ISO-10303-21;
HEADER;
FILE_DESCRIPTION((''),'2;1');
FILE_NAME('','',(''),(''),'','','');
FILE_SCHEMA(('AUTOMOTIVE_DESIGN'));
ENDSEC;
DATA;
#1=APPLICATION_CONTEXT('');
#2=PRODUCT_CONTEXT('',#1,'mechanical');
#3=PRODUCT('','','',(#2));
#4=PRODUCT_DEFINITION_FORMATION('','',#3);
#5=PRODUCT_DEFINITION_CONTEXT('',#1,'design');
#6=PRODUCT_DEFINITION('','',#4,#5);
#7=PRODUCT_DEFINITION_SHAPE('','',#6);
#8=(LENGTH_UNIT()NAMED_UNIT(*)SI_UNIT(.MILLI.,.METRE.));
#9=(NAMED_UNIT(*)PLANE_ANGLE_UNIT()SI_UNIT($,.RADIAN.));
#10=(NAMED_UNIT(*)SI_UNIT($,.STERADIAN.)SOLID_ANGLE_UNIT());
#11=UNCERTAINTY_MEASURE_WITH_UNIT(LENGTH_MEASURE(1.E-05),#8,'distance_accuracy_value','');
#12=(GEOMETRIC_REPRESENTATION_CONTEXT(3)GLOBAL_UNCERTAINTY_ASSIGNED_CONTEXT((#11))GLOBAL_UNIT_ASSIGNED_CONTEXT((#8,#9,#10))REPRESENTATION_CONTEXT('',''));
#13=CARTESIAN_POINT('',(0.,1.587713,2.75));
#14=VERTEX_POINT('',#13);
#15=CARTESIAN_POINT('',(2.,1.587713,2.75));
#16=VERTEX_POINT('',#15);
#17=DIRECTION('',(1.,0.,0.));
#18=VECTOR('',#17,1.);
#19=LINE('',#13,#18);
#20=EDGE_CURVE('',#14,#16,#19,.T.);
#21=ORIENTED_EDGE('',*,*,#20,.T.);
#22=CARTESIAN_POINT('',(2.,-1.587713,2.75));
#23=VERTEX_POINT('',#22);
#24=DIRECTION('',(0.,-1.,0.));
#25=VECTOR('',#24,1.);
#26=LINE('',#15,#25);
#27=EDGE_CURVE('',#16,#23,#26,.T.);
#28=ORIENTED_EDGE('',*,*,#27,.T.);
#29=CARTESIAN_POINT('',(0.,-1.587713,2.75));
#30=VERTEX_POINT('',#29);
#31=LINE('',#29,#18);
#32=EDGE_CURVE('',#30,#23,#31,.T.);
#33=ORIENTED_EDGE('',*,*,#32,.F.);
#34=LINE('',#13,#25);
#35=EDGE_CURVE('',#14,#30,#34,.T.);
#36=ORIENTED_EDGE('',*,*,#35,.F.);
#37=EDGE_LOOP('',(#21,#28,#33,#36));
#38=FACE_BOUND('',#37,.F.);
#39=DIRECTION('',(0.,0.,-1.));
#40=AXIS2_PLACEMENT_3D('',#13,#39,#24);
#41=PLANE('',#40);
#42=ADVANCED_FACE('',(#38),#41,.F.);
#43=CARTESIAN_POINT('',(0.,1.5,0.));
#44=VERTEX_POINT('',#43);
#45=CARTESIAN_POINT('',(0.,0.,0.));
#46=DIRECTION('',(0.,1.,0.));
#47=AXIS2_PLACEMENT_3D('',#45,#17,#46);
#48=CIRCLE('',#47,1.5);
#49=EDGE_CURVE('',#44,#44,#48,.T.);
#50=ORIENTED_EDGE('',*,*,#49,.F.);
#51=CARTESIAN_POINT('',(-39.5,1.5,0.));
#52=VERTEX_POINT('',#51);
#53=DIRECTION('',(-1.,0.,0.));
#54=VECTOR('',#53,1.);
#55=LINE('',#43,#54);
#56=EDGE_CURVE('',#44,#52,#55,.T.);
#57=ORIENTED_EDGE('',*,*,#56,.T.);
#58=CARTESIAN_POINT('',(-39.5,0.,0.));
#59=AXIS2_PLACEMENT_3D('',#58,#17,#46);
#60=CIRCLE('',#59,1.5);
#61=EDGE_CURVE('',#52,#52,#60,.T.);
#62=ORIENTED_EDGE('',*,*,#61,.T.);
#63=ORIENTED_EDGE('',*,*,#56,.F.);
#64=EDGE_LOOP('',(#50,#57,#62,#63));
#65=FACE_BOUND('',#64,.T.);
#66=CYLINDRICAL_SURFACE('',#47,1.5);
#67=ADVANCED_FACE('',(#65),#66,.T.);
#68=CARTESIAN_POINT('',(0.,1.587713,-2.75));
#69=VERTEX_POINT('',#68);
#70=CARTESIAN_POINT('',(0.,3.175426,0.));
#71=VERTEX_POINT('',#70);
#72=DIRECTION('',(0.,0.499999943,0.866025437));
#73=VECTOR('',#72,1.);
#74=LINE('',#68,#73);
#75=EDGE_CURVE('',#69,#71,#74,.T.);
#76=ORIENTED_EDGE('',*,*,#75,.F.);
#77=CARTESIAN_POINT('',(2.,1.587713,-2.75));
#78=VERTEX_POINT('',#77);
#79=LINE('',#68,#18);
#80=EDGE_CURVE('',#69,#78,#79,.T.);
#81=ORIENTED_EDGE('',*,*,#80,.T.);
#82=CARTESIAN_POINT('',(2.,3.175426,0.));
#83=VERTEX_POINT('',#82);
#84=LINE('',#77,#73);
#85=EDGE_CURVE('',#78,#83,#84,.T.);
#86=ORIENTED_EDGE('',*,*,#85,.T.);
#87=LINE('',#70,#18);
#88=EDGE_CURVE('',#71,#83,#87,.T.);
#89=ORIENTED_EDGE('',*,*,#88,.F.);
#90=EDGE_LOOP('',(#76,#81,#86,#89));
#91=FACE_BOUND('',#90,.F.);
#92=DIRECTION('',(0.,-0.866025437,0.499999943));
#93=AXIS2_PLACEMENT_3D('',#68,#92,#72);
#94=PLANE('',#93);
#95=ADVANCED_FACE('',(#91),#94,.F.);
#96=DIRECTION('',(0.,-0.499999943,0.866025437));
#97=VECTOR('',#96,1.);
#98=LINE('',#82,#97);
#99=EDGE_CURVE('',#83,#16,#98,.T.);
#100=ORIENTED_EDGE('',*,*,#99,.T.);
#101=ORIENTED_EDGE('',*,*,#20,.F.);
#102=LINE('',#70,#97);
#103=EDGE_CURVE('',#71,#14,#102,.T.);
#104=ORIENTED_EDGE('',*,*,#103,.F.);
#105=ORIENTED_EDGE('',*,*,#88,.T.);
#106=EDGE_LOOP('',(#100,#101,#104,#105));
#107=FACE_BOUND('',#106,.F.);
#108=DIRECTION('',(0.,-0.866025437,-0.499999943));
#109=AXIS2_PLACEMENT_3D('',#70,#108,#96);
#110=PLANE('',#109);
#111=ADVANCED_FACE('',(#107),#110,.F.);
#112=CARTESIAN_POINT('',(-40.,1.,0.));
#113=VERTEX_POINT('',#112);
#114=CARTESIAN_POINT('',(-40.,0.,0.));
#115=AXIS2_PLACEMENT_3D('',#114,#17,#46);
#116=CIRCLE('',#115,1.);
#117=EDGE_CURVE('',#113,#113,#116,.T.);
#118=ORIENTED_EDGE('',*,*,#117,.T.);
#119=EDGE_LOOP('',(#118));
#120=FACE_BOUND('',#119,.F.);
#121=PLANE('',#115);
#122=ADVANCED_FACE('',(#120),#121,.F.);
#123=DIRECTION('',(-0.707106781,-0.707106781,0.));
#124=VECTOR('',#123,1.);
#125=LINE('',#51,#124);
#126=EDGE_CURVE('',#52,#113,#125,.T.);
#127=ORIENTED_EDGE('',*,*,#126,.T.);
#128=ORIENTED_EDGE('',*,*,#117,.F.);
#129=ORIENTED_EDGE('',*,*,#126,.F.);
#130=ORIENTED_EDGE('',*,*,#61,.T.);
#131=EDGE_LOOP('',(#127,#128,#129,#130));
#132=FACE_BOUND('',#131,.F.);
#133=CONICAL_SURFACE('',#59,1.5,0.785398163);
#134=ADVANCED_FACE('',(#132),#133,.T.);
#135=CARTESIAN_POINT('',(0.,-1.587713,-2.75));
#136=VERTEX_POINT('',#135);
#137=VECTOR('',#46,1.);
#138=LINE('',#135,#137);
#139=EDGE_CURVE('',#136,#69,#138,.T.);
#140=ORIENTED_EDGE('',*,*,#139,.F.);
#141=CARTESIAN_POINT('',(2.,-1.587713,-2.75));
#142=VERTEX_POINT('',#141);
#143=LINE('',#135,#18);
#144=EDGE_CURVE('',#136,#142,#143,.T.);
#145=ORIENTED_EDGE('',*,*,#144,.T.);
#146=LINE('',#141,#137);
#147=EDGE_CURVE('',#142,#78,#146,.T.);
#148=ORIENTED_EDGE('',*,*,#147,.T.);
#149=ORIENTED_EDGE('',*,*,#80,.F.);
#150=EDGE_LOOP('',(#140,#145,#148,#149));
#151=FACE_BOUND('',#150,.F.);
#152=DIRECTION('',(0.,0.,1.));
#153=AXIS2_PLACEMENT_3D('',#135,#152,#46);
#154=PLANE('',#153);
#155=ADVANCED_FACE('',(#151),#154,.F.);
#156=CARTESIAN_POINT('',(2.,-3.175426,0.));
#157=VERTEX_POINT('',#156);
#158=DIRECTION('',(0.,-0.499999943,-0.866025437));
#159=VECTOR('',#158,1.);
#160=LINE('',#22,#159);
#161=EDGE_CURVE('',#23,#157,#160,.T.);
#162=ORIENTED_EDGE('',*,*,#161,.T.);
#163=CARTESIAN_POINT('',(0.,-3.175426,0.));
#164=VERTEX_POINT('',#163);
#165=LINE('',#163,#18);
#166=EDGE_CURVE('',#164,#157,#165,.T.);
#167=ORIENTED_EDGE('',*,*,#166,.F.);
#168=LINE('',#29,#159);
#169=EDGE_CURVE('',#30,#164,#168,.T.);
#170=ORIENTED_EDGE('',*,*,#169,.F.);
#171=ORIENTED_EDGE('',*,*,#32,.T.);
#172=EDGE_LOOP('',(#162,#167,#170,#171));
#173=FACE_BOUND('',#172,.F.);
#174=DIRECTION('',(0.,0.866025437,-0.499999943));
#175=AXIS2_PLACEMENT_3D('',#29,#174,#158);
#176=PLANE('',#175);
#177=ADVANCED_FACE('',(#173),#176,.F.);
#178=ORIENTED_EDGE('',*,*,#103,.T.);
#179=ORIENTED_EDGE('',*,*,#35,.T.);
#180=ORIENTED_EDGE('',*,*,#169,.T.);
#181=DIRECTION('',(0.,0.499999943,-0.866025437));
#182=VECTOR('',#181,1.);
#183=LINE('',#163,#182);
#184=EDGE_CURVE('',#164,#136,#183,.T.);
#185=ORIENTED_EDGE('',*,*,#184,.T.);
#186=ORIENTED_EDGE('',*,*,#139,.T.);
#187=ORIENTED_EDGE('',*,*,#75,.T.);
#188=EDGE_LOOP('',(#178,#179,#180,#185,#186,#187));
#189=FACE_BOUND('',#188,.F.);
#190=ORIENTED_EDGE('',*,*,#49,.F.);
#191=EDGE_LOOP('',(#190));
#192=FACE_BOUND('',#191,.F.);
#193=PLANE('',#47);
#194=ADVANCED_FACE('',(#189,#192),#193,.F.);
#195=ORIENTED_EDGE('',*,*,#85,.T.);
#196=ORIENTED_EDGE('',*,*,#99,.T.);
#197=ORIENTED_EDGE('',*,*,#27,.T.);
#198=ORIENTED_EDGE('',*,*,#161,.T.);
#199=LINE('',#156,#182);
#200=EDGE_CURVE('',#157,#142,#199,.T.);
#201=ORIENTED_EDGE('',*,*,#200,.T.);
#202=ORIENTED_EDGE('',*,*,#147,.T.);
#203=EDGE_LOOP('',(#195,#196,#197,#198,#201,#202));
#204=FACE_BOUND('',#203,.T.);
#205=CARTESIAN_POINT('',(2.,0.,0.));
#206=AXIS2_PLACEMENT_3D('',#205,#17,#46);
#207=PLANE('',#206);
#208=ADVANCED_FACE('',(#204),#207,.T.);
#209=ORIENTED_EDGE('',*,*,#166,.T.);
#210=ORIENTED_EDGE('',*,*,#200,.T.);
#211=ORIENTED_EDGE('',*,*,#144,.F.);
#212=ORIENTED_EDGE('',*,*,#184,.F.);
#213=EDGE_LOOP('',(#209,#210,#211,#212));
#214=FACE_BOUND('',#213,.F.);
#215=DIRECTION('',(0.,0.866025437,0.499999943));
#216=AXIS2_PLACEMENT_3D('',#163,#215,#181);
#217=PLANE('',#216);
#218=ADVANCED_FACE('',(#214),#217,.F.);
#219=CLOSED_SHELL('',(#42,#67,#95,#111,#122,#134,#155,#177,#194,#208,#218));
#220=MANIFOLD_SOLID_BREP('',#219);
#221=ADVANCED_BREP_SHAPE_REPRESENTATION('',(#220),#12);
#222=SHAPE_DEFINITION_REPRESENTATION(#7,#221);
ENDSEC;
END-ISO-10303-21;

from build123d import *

# Parameters (mm, degrees)
F1_DEPTH = 2
F2_R     = 1.5
F3_DEPTH = 40
F4_SIZE  = 0.5


with BuildPart() as f1:
    # F0 (on Right) → F1 (new body)
    with BuildSketch(Plane.YZ):
        Polygon((1.587713, 2.75), (-1.587713, 2.75), (-3.175426, 0), (-1.587713, -2.75), (1.587713, -2.75), (3.175426, 0), align=None)
    extrude(amount=F1_DEPTH)

    # F2 (on Right) → F3 (join)
    with BuildSketch(Plane.YZ):
        Circle(F2_R)
    extrude(amount=-F3_DEPTH)

    # F4
    f4_edges = [f1.edges().sort_by_distance(p)[0] for p in [
        (-40, -1.5, 0),
    ]]
    chamfer(f4_edges, length=F4_SIZE)


solid = f1.part
